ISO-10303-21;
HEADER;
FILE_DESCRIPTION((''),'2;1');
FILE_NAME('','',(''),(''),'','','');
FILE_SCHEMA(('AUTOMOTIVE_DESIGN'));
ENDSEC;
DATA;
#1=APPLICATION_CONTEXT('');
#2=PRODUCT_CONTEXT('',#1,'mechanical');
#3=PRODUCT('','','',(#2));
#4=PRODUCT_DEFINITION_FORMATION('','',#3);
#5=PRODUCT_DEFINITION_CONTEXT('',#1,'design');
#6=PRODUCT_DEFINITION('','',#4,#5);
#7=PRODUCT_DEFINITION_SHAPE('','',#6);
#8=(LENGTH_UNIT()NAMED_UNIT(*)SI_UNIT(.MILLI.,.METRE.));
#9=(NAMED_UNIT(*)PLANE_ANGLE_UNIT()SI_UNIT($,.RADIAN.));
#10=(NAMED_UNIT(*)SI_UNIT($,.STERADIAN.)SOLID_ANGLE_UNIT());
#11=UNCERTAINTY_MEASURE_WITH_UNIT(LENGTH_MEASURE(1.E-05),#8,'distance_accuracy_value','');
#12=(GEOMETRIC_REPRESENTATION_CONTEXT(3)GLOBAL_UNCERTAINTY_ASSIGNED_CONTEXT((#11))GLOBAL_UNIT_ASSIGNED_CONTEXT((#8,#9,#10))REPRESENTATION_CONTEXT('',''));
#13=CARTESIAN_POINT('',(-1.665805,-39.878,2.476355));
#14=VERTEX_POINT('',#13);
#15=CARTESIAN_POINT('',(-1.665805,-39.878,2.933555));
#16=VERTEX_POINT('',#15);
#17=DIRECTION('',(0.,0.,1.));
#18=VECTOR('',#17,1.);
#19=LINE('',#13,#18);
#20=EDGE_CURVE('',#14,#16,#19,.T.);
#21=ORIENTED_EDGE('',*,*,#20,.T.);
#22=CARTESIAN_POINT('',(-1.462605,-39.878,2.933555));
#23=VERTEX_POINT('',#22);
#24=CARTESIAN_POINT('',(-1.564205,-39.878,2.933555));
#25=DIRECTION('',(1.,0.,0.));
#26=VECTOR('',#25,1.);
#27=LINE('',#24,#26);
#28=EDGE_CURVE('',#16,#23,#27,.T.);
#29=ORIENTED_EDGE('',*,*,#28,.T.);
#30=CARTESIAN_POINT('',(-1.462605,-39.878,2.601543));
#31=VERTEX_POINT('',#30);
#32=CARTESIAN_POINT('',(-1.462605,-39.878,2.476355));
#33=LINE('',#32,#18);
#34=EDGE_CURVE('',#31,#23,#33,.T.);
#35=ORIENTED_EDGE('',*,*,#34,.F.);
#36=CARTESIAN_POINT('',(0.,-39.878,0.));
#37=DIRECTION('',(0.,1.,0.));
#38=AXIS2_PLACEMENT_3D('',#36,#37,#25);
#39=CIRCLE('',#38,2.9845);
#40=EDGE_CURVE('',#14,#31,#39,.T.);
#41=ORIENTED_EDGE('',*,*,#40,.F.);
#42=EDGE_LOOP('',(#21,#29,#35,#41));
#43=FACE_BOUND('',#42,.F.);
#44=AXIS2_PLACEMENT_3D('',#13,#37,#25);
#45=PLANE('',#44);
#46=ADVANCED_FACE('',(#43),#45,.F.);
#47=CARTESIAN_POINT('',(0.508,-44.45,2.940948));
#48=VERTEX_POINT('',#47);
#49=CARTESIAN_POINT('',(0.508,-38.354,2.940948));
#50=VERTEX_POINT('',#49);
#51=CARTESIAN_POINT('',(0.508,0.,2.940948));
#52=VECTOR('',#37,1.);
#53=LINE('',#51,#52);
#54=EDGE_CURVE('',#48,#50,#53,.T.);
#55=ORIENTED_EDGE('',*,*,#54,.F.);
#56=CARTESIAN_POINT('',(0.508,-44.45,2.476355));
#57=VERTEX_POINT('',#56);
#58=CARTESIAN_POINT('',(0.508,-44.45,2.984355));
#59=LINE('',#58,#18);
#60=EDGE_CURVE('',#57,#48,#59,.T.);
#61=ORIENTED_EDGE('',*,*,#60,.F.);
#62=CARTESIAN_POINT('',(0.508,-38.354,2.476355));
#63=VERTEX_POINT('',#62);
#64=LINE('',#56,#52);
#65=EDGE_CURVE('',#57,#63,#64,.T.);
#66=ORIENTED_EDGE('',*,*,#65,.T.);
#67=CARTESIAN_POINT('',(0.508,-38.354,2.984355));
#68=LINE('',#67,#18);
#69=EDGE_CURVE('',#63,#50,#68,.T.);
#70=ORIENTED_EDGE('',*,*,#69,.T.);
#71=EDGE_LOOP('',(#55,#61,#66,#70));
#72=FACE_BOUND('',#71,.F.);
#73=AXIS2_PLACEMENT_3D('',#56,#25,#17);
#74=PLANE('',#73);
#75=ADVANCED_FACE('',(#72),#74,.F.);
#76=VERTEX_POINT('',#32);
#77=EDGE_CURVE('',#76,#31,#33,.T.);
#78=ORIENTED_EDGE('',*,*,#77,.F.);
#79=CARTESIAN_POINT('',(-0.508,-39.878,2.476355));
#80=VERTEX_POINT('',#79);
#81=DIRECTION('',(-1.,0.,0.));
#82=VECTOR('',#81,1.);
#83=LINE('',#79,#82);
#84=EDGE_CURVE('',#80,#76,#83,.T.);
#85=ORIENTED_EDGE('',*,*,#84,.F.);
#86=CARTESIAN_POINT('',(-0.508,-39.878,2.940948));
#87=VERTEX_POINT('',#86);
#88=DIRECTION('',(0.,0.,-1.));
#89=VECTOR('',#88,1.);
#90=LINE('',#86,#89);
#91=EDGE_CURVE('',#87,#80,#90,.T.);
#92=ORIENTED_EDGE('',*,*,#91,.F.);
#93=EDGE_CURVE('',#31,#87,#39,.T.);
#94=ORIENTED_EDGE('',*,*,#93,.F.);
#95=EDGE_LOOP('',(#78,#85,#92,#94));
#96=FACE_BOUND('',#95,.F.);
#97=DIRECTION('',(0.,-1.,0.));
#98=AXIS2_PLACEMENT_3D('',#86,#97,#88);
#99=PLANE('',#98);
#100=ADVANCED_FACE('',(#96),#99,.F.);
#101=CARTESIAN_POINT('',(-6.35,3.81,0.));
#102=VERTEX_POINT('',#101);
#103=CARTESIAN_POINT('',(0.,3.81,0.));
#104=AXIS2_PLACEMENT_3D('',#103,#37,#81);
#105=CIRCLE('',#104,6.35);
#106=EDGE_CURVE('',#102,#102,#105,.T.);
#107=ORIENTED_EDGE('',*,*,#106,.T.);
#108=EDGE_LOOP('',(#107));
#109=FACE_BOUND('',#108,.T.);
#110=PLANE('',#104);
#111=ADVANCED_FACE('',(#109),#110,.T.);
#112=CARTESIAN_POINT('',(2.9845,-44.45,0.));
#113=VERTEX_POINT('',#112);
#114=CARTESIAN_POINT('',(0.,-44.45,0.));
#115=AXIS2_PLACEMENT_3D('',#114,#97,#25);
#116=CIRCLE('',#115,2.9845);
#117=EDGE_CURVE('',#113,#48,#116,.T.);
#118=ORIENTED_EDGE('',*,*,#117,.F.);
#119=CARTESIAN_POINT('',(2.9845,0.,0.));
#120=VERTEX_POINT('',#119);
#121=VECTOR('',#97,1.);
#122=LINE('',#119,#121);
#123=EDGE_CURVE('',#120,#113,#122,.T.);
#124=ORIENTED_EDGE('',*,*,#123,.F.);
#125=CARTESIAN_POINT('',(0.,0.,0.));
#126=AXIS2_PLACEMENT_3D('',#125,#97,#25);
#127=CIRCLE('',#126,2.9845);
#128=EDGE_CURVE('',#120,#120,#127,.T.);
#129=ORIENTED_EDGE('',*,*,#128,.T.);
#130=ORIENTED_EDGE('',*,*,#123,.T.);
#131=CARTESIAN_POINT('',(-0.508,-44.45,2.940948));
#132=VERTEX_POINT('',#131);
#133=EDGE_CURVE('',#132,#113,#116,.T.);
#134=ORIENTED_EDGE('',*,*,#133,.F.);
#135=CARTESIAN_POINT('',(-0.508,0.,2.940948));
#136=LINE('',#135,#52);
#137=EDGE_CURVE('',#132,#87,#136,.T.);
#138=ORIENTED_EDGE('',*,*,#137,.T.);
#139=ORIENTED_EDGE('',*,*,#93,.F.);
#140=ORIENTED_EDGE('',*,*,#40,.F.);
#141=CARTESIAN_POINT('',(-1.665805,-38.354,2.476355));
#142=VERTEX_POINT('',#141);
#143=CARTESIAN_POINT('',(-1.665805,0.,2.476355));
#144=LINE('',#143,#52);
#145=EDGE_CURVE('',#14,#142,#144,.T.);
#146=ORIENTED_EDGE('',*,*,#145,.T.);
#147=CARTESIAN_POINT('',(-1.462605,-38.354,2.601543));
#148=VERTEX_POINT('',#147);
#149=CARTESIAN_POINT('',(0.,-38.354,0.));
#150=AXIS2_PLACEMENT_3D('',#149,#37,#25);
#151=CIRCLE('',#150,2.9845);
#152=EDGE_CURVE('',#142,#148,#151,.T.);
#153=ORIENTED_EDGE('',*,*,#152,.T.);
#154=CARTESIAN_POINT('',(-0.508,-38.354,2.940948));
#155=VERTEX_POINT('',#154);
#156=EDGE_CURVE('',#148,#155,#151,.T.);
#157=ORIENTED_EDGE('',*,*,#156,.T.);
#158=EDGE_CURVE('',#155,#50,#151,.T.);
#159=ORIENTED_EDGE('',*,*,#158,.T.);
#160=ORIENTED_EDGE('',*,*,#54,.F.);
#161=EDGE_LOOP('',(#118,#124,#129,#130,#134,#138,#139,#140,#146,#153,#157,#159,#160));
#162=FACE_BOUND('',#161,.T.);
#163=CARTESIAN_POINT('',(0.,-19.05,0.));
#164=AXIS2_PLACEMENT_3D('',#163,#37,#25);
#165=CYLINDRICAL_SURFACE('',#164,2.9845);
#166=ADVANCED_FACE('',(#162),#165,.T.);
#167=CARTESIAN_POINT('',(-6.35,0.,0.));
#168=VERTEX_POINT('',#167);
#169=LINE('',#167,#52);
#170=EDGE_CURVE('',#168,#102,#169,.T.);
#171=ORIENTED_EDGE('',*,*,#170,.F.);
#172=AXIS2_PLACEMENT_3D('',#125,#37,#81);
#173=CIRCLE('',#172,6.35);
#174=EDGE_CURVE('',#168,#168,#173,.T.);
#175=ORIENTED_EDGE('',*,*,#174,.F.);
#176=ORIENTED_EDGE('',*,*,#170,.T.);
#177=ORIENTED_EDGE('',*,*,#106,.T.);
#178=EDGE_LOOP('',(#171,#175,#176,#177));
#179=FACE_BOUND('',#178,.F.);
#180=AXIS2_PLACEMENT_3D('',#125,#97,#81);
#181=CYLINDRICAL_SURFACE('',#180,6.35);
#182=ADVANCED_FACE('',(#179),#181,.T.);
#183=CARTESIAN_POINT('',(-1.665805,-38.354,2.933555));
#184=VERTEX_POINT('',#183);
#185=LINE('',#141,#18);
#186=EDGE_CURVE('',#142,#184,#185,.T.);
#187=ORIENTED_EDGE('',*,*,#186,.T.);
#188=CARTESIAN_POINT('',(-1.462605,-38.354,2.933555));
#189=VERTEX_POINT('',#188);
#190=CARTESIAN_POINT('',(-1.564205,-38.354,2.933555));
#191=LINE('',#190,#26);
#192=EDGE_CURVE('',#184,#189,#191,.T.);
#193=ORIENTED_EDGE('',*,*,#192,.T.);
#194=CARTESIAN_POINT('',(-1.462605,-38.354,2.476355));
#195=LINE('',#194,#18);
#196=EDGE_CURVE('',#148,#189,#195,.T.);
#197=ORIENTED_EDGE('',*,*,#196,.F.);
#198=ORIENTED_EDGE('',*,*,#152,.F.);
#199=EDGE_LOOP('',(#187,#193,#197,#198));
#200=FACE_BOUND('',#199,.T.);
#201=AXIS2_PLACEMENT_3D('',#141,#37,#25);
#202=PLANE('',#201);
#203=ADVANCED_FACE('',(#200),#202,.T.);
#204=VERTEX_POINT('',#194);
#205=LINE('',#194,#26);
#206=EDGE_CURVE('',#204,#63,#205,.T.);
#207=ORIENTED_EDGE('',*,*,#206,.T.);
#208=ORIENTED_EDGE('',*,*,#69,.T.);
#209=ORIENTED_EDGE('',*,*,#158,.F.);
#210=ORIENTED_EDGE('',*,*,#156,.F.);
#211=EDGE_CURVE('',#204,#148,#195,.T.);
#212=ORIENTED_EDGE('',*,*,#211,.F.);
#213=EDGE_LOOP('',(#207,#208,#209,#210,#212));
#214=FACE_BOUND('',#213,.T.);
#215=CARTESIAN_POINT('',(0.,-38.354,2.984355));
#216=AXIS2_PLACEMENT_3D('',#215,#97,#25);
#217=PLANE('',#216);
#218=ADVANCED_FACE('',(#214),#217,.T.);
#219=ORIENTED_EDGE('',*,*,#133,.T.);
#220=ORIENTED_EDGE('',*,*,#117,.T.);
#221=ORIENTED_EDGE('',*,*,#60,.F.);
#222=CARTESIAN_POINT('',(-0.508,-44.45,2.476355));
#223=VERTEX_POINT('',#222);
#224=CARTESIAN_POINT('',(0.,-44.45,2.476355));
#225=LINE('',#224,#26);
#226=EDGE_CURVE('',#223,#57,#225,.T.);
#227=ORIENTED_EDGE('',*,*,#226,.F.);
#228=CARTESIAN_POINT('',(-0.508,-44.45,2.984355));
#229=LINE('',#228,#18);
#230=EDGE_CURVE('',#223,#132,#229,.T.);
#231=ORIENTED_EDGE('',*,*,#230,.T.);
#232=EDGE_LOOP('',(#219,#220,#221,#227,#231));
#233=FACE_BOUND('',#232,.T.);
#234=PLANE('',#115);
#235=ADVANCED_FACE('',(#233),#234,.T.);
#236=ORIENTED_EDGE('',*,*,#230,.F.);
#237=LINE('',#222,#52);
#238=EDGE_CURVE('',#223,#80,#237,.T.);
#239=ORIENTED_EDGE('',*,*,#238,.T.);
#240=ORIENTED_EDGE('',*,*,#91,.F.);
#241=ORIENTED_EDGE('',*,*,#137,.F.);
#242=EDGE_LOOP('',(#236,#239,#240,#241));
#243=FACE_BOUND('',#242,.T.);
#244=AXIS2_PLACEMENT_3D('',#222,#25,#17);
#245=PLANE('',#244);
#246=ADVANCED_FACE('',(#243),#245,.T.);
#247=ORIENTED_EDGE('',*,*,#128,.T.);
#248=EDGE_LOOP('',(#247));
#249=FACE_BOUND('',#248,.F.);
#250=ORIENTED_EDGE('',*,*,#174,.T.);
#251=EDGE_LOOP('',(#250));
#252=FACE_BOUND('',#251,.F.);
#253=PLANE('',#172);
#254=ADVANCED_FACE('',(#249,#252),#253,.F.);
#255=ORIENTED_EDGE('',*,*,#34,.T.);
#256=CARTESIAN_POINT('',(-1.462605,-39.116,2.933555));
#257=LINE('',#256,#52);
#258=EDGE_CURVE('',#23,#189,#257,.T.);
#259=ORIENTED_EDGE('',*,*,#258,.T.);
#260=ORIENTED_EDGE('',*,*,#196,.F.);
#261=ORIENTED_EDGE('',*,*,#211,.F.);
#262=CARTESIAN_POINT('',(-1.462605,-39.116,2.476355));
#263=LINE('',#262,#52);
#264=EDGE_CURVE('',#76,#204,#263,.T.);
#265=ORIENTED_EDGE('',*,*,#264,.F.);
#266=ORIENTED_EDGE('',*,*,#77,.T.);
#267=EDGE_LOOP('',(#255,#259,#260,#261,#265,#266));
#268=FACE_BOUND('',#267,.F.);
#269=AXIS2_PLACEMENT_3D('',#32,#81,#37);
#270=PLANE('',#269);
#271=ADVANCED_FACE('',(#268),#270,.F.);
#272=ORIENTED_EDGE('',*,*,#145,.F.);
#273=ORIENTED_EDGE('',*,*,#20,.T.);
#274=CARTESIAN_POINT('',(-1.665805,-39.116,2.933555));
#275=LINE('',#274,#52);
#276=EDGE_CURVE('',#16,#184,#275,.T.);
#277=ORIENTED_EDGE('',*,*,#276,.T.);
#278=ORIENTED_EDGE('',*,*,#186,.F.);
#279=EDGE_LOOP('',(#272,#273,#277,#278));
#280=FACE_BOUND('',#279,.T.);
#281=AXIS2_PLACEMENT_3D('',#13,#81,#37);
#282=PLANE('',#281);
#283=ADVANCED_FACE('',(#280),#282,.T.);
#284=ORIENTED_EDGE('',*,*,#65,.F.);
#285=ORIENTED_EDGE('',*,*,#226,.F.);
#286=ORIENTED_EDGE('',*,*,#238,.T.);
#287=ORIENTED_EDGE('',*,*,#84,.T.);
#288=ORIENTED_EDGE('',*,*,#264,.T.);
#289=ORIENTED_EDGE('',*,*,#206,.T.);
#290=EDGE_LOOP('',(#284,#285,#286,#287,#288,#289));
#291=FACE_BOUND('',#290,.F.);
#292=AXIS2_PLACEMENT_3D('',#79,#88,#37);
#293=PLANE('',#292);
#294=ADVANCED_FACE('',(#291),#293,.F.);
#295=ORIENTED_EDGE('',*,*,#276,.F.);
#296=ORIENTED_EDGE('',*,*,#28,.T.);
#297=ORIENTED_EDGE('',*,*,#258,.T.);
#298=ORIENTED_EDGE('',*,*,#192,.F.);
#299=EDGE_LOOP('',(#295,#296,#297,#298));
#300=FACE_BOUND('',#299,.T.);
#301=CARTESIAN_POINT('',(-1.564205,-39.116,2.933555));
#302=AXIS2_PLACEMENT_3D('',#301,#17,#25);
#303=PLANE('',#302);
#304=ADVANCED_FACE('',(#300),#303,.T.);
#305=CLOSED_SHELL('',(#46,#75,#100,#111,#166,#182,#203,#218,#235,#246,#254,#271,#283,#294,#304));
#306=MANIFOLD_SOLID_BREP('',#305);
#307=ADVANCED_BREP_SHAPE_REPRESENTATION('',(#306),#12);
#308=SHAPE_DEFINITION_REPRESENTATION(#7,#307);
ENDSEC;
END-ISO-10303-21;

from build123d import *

# Parameters (mm, degrees)
F0_R      = 2.9845
F1_DEPTH  = 44.45
F3_R      = 6.35
F4_DEPTH  = 3.81
F5_W      = 1.016
F5_H      = 1.016
F6_DEPTH  = 25.4
F8_DEPTH  = 1.524
F9_W      = 0.2032
F9_H      = 1.524
F10_DEPTH = 0.4572
F11_DEPTH = 19.304


with BuildPart() as f1:
    # F0 (on Front) → F1 (new body)
    with BuildSketch(Plane.XZ):
        Circle(F0_R)
    extrude(amount=F1_DEPTH)

    # F3 (on face) → F4 (join)
    with BuildSketch(Plane(origin=(0, 0, 0), x_dir=(-1, 0, 0), z_dir=(0, 1, 0))):
        Circle(F3_R)
    extrude(amount=F4_DEPTH)

    # F5 (on face) → F6 (cut)
    with BuildSketch(Plane.XZ.offset(44.45)):
        with Locations((0, 2.9843547381)):
            Rectangle(F5_W, F5_H)
    extrude(amount=-F6_DEPTH, mode=Mode.SUBTRACT)

    # F7 (on face) → F8 (cut)
    with BuildSketch(Plane.YZ.offset(-0.508)):
        Polygon((-39.878, 2.9409481889), (-39.878, 2.7086514635), (-39.878, 2.4763547381), (-38.354, 2.4763547381), (-38.354, 2.9409481889), align=None)
    extrude(amount=-F8_DEPTH, mode=Mode.SUBTRACT)

    # F9 (on face) → F10 (join)
    with BuildSketch(Plane.XY.offset(2.4763547381)):
        with Locations((-1.564205349, -39.116)):
            Rectangle(F9_W, F9_H)
    extrude(amount=F10_DEPTH)

    # F11 (add): a face of the model
    f11_faces = [f1.faces().sort_by_distance(p)[0] for p in [
        (0, -19.05, 2.7233604539),
    ]]
    extrude(f11_faces, amount=F11_DEPTH)


solid = f1.part
